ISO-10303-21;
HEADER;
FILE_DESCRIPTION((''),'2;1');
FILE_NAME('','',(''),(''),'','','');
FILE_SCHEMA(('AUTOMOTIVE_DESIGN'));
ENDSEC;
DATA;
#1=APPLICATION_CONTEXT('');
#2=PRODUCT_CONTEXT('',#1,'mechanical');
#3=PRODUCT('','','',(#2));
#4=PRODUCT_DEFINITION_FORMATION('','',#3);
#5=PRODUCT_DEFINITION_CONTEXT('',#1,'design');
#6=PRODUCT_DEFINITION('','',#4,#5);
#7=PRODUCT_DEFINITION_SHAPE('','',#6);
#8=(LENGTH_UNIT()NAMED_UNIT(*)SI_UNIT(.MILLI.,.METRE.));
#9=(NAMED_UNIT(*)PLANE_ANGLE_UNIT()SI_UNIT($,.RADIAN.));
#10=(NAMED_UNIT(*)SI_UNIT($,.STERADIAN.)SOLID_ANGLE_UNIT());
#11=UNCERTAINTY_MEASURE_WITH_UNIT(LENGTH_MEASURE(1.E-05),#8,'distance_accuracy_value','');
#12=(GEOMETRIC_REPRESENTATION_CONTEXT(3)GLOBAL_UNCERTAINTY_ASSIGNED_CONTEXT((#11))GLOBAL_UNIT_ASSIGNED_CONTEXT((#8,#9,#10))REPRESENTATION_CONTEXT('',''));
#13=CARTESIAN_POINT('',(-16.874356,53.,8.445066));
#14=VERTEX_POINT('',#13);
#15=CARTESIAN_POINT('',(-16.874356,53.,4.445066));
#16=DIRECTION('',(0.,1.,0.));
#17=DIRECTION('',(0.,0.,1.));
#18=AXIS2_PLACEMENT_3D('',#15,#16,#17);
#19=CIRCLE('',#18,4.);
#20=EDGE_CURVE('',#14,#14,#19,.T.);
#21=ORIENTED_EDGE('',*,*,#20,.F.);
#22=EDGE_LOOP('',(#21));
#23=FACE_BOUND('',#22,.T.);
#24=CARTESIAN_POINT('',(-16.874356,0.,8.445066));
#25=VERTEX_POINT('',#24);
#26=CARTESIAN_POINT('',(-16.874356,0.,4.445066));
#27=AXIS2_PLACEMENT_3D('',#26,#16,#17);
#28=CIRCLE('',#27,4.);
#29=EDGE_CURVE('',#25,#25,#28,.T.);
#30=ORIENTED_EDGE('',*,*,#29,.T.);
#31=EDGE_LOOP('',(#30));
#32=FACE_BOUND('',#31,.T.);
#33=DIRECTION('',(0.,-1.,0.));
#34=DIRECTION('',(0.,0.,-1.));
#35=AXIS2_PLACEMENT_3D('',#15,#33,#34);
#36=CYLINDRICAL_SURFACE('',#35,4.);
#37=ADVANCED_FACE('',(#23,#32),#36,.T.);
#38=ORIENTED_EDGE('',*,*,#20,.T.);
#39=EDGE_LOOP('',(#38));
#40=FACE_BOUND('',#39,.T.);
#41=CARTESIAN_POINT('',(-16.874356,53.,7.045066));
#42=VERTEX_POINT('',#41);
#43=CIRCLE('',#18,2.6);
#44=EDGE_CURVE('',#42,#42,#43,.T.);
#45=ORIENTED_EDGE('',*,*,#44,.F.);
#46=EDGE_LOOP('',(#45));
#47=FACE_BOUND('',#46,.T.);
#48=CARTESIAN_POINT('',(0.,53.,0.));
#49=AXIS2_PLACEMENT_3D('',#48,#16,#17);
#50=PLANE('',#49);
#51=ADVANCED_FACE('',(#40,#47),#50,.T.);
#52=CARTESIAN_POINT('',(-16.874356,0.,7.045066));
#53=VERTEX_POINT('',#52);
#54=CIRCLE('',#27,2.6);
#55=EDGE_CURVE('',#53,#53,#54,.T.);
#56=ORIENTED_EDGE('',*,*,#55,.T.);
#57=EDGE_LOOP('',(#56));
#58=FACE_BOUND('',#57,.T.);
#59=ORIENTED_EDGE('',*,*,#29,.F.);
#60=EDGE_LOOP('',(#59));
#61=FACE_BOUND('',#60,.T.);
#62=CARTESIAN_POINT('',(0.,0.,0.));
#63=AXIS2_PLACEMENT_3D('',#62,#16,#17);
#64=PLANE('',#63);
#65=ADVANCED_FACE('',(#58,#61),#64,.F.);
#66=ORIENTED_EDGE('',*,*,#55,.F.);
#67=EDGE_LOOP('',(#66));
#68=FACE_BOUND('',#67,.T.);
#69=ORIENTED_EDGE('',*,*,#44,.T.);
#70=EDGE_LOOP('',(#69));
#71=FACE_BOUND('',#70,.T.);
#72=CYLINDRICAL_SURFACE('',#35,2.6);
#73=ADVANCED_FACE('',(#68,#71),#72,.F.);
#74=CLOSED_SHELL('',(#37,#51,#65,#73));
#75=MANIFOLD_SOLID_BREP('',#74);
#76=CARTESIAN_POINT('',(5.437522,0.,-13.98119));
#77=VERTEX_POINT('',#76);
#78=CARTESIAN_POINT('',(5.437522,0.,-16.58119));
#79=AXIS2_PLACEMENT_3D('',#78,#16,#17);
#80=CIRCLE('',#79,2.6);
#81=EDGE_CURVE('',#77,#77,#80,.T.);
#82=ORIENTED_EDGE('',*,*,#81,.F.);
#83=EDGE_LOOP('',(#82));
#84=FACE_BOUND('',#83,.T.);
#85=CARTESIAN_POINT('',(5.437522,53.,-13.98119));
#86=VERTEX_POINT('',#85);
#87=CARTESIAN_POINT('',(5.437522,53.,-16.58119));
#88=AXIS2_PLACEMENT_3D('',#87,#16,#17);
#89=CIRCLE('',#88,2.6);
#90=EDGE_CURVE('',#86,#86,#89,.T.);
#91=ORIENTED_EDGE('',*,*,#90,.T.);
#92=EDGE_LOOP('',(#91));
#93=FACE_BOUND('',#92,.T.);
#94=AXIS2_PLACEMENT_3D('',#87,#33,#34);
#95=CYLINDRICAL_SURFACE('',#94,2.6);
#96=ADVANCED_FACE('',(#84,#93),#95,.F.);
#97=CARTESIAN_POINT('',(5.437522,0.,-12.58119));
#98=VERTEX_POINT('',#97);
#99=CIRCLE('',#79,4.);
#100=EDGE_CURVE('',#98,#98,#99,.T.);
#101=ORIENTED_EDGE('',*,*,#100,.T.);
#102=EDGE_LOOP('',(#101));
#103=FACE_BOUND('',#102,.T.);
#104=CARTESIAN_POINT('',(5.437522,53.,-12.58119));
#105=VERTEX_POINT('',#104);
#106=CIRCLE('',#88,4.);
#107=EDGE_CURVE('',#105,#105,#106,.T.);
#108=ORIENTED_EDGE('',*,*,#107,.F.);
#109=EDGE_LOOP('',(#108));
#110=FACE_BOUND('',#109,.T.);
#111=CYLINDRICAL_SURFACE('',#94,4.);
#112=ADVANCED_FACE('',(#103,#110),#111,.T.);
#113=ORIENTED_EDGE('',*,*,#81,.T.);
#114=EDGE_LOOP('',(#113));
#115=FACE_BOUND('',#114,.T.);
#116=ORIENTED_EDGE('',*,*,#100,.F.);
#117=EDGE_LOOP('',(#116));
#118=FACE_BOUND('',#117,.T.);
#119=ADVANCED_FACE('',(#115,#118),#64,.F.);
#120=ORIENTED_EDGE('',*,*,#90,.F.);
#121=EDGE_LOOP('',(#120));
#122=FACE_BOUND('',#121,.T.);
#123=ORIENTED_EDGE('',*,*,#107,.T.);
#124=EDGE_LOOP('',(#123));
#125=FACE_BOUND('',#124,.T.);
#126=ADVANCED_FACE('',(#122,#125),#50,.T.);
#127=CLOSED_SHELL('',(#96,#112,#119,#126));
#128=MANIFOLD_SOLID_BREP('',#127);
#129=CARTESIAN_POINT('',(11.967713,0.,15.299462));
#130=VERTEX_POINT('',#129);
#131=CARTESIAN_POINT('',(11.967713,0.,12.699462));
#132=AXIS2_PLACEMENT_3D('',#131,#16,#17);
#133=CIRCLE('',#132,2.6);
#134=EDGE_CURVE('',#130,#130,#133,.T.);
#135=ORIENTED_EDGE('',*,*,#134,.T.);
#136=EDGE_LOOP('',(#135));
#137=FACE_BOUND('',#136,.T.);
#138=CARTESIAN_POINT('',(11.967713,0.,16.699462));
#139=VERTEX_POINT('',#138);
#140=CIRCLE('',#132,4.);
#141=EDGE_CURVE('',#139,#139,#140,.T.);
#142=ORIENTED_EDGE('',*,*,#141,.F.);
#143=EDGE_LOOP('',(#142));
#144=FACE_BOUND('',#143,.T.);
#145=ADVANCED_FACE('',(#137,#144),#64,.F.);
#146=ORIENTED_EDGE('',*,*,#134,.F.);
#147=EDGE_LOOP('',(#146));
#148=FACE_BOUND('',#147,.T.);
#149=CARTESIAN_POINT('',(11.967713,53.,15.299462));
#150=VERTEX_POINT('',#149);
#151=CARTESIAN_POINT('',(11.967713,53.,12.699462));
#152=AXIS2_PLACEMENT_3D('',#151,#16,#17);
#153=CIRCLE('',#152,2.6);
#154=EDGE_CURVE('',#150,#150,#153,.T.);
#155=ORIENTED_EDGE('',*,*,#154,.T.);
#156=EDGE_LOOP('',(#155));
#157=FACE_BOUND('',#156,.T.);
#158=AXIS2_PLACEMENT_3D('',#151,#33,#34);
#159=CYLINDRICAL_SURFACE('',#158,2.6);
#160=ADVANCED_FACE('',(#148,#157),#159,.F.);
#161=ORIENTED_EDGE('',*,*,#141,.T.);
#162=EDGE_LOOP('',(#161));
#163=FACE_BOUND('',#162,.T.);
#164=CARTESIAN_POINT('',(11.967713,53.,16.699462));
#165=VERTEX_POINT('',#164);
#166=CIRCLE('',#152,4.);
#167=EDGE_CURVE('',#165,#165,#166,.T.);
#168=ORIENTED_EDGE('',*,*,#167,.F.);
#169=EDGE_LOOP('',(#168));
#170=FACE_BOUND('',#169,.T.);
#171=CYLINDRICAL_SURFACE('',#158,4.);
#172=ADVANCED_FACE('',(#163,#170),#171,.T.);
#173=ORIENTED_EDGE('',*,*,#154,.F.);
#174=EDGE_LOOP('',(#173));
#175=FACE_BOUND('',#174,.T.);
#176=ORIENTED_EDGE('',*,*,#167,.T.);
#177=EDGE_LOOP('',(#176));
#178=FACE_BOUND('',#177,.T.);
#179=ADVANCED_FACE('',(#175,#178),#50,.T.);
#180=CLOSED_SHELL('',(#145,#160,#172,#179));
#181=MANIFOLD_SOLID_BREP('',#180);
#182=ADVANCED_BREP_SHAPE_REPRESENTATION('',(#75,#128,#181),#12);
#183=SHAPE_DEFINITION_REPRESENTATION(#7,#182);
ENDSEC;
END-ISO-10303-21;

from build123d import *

# Parameters (mm, degrees)
SKETCH1_R             = 4
SKETCH1_R_2           = 2.6
BOSS_EXTRUDE1_DEPTH   = 53
BOSS_EXTRUDE1_2_DEPTH = 53
BOSS_EXTRUDE1_3_DEPTH = 53


with BuildPart() as part:
    # Sketch1 → Boss-Extrude1 (new body)
    with BuildSketch(Plane(origin=(0, 0, 0), x_dir=(1, 0, 0), z_dir=(0, 1, 0))):
        with Locations(Location((-16.87435593, -4.445066022, 0), (0, 0, 270))):
            Circle(SKETCH1_R)
        with Locations(Location((-16.87435593, -4.445066022, 0), (0, 0, 270))):
            Circle(SKETCH1_R_2, mode=Mode.SUBTRACT)
    extrude(amount=BOSS_EXTRUDE1_DEPTH)


with BuildPart() as body_2:
    # Sketch1 → Boss-Extrude1 2 (new body)
    with BuildSketch(Plane(origin=(0, 0, 0), x_dir=(1, 0, 0), z_dir=(0, 1, 0))):
        with Locations(Location((11.967713002, -12.69946241, 0), (0, 0, 270))):
            Circle(SKETCH1_R)
        with Locations(Location((11.967713002, -12.69946241, 0), (0, 0, 270))):
            Circle(SKETCH1_R_2, mode=Mode.SUBTRACT)
    extrude(amount=BOSS_EXTRUDE1_2_DEPTH)


with BuildPart() as body_3:
    # Sketch1 → Boss-Extrude1 3 (new body)
    with BuildSketch(Plane(origin=(0, 0, 0), x_dir=(1, 0, 0), z_dir=(0, 1, 0))):
        with Locations(Location((5.437521602, 16.58118991, 0), (0, 0, 270))):
            Circle(SKETCH1_R)
        with Locations(Location((5.437521602, 16.58118991, 0), (0, 0, 270))):
            Circle(SKETCH1_R_2, mode=Mode.SUBTRACT)
    extrude(amount=BOSS_EXTRUDE1_3_DEPTH)


solid = Compound([part.part, body_2.part, body_3.part])
